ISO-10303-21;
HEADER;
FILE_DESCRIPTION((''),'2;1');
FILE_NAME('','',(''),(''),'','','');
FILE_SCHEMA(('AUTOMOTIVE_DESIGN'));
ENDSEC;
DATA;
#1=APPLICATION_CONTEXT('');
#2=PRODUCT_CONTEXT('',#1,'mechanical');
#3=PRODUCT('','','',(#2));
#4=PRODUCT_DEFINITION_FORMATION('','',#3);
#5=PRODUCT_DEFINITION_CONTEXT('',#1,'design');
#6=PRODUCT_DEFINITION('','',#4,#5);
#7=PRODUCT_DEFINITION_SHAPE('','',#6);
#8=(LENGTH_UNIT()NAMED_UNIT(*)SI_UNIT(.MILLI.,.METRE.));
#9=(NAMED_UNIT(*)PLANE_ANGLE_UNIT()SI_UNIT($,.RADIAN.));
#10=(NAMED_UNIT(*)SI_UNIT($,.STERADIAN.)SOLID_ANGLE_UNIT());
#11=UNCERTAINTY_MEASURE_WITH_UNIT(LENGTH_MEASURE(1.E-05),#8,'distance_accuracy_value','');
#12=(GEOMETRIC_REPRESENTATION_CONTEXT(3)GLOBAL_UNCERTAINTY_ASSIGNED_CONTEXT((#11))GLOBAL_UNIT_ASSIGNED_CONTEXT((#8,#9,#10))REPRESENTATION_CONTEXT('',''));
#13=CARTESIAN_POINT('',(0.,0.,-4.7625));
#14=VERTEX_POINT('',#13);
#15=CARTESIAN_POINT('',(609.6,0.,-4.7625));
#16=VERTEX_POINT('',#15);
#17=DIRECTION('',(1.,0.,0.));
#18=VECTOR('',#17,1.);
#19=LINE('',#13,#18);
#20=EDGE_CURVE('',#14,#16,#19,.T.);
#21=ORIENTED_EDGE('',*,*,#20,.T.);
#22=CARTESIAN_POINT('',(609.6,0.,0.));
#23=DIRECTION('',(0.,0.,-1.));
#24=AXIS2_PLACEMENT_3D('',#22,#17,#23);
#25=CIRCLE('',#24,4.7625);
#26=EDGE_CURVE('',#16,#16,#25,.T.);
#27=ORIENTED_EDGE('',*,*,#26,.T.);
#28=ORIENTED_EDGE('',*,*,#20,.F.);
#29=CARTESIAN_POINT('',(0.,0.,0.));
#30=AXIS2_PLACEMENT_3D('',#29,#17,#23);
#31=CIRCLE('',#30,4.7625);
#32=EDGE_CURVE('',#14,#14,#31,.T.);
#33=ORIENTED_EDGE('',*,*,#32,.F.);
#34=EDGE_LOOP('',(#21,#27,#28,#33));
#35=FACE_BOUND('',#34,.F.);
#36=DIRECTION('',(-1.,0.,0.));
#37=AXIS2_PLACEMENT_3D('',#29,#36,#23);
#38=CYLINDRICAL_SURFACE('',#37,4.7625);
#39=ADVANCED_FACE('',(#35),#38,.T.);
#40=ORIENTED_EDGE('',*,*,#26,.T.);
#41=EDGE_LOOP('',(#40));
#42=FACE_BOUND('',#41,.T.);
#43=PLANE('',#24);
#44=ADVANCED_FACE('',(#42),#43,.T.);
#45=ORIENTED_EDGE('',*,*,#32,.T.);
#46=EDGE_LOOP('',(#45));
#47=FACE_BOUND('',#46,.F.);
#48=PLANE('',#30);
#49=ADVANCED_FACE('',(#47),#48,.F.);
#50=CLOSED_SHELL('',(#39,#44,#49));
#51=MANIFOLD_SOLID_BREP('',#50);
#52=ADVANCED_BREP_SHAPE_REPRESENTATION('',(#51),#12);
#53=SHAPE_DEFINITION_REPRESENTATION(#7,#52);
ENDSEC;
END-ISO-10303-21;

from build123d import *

# Parameters (mm, degrees)
SKETCH1_R           = 4.7625
BOSS_EXTRUDE1_DEPTH = 609.6


with BuildPart() as part:
    # Sketch1 → Boss-Extrude1 (new body)
    with BuildSketch(Plane(origin=(0, 0, 0), x_dir=(0, 0, -1), z_dir=(1, 0, 0))):
        Circle(SKETCH1_R)
    extrude(amount=BOSS_EXTRUDE1_DEPTH)


solid = part.part
